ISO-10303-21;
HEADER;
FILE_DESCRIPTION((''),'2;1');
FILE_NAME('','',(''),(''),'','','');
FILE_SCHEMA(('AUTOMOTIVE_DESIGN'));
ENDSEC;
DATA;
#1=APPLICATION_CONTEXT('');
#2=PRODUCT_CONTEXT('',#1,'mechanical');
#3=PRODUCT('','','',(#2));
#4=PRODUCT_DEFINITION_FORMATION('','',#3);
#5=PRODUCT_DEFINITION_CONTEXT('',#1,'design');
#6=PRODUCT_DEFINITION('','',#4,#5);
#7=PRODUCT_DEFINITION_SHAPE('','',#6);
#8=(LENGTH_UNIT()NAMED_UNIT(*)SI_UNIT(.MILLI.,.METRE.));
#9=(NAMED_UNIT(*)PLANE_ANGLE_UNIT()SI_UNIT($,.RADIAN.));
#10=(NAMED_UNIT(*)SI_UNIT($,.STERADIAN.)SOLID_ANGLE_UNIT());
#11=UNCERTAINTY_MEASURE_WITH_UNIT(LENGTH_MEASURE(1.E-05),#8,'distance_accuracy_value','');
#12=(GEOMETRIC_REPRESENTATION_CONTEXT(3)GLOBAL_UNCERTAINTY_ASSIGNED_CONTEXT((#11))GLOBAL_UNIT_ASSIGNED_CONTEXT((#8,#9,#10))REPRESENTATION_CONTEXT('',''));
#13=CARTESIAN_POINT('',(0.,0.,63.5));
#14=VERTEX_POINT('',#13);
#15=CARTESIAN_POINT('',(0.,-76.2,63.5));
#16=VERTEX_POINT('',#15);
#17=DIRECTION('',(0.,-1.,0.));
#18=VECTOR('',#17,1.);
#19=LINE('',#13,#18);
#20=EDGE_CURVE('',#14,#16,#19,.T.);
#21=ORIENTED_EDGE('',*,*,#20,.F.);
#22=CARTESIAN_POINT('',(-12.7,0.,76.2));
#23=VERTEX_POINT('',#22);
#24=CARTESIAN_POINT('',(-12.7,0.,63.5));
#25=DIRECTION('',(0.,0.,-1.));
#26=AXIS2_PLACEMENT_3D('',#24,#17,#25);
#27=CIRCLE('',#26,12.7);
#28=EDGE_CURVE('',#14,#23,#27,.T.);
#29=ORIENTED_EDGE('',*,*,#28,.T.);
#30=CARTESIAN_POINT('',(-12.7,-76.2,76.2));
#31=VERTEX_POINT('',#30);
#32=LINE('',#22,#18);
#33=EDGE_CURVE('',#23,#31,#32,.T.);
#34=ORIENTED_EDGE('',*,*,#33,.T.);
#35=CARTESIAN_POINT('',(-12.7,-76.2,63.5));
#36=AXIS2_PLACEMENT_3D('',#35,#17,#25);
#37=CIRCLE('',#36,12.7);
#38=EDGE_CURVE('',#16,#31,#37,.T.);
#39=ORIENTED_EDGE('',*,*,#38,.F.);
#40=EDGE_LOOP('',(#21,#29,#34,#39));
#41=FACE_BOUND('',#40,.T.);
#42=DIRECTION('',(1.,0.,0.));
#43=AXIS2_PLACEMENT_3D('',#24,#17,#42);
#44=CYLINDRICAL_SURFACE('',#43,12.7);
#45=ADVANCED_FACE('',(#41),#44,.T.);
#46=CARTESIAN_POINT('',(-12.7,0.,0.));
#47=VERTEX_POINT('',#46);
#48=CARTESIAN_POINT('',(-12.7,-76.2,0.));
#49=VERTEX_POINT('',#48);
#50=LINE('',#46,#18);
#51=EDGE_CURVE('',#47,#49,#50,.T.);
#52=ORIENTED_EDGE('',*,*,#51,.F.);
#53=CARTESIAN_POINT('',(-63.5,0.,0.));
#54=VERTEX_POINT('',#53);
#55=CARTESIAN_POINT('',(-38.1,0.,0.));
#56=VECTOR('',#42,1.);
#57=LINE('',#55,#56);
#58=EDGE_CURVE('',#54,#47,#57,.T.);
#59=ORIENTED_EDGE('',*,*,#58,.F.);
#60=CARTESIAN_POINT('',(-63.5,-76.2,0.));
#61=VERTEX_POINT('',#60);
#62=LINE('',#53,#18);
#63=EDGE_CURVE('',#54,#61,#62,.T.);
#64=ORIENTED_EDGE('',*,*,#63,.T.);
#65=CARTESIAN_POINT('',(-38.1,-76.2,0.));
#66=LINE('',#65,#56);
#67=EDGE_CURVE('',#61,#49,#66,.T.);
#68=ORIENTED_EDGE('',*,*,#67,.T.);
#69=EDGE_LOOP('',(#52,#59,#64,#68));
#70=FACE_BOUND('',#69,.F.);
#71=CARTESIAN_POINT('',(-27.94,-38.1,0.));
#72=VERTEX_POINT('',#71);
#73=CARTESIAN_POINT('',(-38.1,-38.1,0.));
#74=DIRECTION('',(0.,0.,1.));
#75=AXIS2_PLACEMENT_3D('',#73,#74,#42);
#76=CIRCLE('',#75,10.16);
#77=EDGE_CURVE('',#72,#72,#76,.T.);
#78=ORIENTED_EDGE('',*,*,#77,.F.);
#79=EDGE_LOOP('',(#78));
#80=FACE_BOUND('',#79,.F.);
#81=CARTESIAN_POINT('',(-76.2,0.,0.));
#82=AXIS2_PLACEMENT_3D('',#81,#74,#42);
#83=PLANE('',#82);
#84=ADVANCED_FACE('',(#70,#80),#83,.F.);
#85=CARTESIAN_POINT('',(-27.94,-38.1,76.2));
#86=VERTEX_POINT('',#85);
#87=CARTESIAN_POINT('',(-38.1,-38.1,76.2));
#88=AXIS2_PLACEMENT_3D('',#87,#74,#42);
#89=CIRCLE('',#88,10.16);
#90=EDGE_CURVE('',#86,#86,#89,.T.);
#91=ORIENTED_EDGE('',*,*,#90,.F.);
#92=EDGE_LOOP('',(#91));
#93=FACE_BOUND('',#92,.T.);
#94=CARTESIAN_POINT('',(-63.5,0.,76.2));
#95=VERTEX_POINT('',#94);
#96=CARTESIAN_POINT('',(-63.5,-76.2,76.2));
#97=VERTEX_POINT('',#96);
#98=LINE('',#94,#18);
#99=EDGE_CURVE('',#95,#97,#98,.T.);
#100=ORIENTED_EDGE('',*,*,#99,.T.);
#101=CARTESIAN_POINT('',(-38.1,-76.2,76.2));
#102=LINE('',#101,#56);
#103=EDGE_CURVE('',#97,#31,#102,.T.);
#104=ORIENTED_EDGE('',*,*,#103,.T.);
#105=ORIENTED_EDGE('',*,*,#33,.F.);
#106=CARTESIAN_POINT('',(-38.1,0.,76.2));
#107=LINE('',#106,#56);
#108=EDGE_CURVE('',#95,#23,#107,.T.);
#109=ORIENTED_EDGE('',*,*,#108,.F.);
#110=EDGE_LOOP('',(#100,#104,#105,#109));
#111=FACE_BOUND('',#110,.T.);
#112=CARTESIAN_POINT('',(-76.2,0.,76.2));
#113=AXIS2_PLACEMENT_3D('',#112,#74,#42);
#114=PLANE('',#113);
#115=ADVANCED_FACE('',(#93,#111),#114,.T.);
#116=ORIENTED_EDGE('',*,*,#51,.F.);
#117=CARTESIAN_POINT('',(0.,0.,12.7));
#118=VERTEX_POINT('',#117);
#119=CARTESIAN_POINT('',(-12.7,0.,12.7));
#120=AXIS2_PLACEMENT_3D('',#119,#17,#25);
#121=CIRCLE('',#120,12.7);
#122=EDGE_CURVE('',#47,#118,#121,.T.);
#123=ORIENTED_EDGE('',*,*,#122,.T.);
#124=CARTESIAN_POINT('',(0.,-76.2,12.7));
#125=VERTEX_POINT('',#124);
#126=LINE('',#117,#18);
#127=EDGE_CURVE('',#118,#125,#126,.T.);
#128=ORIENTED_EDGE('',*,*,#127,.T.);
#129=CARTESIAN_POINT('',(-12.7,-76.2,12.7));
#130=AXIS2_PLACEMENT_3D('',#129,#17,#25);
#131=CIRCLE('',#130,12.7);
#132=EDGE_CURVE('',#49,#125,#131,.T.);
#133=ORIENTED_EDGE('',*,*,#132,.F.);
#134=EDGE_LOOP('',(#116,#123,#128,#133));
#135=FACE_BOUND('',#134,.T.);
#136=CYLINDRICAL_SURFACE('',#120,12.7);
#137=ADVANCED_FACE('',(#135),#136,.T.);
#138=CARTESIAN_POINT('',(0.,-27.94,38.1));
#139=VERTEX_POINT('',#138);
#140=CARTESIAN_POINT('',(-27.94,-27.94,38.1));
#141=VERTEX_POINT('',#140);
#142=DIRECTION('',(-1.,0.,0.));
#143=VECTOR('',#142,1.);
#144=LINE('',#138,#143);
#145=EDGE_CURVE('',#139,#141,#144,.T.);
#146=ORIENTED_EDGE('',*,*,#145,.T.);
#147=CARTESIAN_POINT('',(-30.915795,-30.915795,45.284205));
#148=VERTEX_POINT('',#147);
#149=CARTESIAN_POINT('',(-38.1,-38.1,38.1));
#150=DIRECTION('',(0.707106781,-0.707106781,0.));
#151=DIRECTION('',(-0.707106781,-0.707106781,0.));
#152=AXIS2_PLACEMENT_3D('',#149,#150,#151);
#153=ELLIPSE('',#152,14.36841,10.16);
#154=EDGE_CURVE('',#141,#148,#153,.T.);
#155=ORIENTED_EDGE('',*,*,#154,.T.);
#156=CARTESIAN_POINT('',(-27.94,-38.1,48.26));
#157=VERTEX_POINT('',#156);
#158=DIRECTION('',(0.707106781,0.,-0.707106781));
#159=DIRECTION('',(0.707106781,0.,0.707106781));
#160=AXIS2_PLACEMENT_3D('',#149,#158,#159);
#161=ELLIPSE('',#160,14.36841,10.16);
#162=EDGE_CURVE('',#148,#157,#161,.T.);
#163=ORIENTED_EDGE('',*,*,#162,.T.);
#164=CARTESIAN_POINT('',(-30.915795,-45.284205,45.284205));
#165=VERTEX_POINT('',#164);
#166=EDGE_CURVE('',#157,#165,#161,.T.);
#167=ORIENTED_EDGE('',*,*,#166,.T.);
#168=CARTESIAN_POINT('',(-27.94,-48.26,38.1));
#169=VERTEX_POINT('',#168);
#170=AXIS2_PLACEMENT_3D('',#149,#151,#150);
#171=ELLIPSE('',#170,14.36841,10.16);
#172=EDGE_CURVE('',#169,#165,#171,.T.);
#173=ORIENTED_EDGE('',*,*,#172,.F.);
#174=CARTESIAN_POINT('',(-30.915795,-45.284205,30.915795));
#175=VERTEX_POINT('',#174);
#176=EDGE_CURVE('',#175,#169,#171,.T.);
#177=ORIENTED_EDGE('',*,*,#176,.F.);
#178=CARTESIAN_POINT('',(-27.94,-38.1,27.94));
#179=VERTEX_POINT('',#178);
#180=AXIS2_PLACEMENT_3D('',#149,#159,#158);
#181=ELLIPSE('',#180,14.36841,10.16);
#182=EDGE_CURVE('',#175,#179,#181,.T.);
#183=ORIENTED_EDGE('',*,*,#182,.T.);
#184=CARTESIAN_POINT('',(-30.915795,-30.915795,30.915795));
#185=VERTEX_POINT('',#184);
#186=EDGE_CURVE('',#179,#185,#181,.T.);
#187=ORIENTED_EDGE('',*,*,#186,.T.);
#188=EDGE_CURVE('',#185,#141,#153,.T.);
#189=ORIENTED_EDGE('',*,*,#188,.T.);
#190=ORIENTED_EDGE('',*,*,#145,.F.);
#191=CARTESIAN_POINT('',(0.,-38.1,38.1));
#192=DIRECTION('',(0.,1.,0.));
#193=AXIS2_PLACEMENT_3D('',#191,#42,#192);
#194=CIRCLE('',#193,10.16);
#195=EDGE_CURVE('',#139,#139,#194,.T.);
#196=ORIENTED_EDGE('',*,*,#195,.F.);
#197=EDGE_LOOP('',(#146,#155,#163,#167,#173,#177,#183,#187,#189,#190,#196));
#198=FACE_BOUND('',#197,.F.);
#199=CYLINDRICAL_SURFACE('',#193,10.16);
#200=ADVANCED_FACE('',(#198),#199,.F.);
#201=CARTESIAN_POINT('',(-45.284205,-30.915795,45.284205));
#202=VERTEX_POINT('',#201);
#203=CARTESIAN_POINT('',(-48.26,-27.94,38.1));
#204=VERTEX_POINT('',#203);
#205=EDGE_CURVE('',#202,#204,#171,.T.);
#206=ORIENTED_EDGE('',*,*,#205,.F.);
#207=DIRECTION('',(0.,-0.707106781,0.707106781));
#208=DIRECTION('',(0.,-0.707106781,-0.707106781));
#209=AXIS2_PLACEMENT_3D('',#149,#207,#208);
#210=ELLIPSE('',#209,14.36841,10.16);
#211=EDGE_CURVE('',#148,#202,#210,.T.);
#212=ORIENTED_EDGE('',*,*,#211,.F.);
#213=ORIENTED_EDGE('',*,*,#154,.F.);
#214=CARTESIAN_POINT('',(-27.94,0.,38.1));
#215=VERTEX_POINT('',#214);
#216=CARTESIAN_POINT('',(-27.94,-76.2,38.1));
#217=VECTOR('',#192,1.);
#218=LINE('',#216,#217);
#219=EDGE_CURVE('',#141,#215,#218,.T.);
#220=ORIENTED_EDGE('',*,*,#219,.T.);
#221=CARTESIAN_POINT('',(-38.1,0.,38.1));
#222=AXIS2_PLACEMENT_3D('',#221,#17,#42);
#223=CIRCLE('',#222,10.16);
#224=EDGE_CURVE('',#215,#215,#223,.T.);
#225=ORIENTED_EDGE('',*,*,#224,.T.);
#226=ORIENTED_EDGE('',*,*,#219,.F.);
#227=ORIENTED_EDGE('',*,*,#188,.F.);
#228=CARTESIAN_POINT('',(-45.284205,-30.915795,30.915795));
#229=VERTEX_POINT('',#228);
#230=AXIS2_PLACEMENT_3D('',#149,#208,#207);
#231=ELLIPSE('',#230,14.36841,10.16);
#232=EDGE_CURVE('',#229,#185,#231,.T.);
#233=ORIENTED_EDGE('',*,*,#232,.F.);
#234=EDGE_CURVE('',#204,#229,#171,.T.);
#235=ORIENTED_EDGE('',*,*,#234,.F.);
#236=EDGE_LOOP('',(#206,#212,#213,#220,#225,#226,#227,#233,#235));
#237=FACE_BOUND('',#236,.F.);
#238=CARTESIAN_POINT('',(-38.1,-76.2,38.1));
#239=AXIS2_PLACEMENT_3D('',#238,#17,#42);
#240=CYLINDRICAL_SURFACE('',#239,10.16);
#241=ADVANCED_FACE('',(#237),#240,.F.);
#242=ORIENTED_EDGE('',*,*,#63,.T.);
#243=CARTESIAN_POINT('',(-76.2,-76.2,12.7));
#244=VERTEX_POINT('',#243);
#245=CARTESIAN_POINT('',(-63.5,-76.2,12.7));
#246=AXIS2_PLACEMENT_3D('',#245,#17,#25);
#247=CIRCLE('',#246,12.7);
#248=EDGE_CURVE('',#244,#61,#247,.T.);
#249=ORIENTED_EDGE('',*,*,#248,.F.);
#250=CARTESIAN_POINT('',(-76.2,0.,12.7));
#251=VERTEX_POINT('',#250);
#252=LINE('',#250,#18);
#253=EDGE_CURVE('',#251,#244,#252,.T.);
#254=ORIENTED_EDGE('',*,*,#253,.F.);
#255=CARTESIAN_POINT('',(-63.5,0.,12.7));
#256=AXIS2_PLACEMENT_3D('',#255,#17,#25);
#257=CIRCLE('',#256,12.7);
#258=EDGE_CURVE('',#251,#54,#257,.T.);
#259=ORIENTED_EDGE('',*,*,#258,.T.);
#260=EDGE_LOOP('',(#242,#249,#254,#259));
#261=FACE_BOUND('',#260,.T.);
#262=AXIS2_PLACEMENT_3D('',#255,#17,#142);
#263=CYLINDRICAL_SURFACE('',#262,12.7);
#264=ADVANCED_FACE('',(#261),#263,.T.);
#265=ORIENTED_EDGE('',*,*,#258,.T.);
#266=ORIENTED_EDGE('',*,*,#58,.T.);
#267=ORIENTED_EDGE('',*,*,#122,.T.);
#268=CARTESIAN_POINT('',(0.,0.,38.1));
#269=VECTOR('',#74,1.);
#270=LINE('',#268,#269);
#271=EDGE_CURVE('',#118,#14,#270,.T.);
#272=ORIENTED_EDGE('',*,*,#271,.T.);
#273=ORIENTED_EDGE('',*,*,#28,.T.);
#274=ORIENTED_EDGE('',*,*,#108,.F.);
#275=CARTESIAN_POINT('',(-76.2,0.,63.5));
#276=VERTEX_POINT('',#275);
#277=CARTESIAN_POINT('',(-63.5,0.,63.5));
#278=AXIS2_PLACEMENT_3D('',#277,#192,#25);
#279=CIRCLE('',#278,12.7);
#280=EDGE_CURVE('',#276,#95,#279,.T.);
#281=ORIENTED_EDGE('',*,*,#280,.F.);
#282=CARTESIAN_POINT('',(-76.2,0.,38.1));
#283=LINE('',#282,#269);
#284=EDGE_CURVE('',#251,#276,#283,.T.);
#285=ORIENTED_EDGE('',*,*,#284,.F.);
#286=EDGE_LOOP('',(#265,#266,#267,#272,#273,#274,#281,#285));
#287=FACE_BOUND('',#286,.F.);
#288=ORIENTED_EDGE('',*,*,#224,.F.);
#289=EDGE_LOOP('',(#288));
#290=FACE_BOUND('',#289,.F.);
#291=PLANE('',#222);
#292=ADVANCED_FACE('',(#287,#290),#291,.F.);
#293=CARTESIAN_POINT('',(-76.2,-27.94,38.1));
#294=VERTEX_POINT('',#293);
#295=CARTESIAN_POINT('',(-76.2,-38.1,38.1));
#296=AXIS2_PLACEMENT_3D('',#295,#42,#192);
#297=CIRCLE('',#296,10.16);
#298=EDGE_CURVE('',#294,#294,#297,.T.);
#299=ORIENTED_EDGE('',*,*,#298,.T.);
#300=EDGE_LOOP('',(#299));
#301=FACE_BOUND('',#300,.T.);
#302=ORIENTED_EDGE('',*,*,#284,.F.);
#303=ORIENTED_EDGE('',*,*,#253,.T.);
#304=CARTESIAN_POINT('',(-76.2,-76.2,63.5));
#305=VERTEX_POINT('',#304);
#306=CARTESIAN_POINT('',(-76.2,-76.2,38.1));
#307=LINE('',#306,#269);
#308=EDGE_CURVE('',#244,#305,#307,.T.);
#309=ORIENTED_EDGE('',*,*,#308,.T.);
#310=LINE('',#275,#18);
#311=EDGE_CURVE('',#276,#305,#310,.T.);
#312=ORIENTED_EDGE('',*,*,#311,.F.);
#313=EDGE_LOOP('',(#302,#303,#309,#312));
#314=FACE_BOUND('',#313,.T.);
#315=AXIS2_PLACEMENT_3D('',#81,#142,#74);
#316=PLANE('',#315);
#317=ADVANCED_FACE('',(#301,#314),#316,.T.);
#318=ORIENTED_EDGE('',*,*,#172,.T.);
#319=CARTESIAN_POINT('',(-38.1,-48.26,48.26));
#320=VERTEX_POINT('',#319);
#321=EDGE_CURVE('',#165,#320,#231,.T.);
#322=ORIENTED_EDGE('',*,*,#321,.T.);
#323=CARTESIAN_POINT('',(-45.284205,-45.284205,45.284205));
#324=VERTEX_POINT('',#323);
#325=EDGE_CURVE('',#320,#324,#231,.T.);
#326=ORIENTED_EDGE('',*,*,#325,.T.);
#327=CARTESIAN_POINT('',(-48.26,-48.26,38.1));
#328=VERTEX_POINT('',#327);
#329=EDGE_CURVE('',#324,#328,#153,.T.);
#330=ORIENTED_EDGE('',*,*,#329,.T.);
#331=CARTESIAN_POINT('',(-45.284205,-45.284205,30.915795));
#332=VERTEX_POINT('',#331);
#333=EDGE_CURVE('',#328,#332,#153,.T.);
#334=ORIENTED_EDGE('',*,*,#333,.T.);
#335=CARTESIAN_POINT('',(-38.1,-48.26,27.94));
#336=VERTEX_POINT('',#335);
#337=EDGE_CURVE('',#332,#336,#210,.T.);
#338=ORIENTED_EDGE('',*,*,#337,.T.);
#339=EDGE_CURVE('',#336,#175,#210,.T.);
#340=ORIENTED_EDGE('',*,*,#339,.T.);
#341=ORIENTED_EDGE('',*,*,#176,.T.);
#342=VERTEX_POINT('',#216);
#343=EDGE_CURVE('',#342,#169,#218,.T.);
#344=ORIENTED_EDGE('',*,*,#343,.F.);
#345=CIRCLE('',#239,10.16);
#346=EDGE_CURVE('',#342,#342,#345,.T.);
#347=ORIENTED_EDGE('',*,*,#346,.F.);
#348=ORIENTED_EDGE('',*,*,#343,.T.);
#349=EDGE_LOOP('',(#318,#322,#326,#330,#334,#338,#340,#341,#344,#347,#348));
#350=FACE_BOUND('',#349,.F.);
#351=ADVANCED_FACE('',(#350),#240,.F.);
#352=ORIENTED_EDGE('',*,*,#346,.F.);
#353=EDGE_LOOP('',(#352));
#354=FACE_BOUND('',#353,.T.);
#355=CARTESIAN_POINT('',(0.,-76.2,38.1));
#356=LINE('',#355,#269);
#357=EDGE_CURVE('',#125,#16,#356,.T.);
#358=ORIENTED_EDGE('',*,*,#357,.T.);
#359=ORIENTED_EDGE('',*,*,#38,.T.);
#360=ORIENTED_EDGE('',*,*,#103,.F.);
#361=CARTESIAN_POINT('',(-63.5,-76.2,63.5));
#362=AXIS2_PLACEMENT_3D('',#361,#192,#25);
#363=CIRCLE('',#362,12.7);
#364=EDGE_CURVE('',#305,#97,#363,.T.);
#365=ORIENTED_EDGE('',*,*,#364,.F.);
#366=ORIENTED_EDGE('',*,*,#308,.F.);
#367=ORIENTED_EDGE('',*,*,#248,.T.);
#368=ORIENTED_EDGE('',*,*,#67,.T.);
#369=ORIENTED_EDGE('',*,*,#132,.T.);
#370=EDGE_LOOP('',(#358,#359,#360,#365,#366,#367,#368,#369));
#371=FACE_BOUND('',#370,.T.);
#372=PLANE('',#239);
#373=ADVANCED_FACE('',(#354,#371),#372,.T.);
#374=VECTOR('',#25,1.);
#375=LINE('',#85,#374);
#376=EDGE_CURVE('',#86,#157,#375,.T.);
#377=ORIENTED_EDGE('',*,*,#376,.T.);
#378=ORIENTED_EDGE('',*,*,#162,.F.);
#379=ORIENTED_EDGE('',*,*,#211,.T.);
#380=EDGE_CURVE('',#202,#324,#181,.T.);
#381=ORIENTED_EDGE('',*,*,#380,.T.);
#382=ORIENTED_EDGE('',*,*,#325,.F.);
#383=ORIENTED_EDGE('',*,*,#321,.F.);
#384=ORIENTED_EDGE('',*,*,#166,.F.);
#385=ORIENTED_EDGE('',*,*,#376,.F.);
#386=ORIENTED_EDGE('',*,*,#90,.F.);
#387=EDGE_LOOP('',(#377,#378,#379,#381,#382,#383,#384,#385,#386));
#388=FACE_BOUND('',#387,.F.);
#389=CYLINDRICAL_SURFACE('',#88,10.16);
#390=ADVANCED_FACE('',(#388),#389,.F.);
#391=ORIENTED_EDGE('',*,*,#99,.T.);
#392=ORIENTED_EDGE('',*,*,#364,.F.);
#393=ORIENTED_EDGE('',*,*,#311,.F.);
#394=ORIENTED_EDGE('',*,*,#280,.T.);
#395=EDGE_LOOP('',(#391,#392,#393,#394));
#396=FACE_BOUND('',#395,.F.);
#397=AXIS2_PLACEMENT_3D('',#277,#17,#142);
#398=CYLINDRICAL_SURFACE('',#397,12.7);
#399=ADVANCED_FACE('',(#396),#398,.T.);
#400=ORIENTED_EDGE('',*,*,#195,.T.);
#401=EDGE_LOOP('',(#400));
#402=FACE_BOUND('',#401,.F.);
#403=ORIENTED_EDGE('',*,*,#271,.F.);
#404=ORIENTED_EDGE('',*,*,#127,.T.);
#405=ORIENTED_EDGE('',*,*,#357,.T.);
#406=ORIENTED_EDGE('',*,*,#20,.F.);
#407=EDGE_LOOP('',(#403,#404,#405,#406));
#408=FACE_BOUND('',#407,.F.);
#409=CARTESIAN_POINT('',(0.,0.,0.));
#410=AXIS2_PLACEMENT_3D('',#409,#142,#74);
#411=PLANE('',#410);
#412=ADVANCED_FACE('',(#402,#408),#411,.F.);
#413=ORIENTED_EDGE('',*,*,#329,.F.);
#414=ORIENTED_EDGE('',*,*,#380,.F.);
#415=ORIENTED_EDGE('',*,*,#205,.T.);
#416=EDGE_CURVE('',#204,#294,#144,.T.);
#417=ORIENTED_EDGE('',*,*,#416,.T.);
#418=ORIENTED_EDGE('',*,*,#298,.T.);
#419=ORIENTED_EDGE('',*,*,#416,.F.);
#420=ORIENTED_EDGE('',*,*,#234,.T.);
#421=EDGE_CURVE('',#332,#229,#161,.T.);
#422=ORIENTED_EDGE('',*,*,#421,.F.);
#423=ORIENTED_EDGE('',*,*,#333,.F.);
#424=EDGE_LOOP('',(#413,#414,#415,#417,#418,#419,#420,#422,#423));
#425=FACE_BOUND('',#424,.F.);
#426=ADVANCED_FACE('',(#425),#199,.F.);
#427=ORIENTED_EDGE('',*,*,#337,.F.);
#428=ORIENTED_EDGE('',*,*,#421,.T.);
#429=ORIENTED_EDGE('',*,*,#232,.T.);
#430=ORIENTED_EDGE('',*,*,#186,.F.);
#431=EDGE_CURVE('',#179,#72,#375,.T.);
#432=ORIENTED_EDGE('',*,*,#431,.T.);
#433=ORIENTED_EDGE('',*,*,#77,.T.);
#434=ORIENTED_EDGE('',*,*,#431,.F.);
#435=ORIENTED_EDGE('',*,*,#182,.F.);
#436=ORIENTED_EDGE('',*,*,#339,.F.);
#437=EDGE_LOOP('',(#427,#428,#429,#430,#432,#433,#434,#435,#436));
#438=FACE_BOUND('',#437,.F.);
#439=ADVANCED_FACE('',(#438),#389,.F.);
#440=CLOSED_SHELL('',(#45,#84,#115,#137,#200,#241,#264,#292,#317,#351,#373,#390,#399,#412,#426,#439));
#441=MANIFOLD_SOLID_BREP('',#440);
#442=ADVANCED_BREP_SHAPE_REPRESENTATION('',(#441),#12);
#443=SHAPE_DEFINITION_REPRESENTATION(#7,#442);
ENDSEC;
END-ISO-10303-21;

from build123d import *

# Parameters (mm, degrees)
F0_W     = 76.2
F0_H     = 76.2
F1_DEPTH = 76.2
F2_R     = 12.7
F3_R     = 10.16
F4_DEPTH = 76.201
F5_R     = 10.16
F6_DEPTH = 76.201
F7_R     = 10.16
F8_DEPTH = 76.201


with BuildPart() as f1:
    # F0 (on Front) → F1 (new body)
    with BuildSketch(Plane.XZ):
        with Locations((-38.1, 38.1)):
            Rectangle(F0_W, F0_H)
    extrude(amount=F1_DEPTH)

    # F2
    f2_edges = [f1.edges().sort_by_distance(p)[0] for p in [
        (0, -38.1, 76.2),
        (-76.2, -38.1, 76.2),
        (0, -38.1, 0),
        (-76.2, -38.1, 0),
    ]]
    fillet(f2_edges, radius=F2_R)

    # F3 (on face) → F4 (cut, through all)
    with BuildSketch(Plane.XZ.offset(76.2)):
        with Locations((-38.1, 38.1)):
            Circle(F3_R)
    extrude(amount=-F4_DEPTH, mode=Mode.SUBTRACT)

    # F5 (on face) → F6 (cut, through all)
    with BuildSketch(Plane.YZ):
        with Locations((-38.1, 38.1)):
            Circle(F5_R)
    extrude(amount=-F6_DEPTH, mode=Mode.SUBTRACT)

    # F7 (on face) → F8 (cut, through all)
    with BuildSketch(Plane.XY.offset(76.2)):
        with Locations((-38.1, -38.1)):
            Circle(F7_R)
    extrude(amount=-F8_DEPTH, mode=Mode.SUBTRACT)


solid = f1.part
